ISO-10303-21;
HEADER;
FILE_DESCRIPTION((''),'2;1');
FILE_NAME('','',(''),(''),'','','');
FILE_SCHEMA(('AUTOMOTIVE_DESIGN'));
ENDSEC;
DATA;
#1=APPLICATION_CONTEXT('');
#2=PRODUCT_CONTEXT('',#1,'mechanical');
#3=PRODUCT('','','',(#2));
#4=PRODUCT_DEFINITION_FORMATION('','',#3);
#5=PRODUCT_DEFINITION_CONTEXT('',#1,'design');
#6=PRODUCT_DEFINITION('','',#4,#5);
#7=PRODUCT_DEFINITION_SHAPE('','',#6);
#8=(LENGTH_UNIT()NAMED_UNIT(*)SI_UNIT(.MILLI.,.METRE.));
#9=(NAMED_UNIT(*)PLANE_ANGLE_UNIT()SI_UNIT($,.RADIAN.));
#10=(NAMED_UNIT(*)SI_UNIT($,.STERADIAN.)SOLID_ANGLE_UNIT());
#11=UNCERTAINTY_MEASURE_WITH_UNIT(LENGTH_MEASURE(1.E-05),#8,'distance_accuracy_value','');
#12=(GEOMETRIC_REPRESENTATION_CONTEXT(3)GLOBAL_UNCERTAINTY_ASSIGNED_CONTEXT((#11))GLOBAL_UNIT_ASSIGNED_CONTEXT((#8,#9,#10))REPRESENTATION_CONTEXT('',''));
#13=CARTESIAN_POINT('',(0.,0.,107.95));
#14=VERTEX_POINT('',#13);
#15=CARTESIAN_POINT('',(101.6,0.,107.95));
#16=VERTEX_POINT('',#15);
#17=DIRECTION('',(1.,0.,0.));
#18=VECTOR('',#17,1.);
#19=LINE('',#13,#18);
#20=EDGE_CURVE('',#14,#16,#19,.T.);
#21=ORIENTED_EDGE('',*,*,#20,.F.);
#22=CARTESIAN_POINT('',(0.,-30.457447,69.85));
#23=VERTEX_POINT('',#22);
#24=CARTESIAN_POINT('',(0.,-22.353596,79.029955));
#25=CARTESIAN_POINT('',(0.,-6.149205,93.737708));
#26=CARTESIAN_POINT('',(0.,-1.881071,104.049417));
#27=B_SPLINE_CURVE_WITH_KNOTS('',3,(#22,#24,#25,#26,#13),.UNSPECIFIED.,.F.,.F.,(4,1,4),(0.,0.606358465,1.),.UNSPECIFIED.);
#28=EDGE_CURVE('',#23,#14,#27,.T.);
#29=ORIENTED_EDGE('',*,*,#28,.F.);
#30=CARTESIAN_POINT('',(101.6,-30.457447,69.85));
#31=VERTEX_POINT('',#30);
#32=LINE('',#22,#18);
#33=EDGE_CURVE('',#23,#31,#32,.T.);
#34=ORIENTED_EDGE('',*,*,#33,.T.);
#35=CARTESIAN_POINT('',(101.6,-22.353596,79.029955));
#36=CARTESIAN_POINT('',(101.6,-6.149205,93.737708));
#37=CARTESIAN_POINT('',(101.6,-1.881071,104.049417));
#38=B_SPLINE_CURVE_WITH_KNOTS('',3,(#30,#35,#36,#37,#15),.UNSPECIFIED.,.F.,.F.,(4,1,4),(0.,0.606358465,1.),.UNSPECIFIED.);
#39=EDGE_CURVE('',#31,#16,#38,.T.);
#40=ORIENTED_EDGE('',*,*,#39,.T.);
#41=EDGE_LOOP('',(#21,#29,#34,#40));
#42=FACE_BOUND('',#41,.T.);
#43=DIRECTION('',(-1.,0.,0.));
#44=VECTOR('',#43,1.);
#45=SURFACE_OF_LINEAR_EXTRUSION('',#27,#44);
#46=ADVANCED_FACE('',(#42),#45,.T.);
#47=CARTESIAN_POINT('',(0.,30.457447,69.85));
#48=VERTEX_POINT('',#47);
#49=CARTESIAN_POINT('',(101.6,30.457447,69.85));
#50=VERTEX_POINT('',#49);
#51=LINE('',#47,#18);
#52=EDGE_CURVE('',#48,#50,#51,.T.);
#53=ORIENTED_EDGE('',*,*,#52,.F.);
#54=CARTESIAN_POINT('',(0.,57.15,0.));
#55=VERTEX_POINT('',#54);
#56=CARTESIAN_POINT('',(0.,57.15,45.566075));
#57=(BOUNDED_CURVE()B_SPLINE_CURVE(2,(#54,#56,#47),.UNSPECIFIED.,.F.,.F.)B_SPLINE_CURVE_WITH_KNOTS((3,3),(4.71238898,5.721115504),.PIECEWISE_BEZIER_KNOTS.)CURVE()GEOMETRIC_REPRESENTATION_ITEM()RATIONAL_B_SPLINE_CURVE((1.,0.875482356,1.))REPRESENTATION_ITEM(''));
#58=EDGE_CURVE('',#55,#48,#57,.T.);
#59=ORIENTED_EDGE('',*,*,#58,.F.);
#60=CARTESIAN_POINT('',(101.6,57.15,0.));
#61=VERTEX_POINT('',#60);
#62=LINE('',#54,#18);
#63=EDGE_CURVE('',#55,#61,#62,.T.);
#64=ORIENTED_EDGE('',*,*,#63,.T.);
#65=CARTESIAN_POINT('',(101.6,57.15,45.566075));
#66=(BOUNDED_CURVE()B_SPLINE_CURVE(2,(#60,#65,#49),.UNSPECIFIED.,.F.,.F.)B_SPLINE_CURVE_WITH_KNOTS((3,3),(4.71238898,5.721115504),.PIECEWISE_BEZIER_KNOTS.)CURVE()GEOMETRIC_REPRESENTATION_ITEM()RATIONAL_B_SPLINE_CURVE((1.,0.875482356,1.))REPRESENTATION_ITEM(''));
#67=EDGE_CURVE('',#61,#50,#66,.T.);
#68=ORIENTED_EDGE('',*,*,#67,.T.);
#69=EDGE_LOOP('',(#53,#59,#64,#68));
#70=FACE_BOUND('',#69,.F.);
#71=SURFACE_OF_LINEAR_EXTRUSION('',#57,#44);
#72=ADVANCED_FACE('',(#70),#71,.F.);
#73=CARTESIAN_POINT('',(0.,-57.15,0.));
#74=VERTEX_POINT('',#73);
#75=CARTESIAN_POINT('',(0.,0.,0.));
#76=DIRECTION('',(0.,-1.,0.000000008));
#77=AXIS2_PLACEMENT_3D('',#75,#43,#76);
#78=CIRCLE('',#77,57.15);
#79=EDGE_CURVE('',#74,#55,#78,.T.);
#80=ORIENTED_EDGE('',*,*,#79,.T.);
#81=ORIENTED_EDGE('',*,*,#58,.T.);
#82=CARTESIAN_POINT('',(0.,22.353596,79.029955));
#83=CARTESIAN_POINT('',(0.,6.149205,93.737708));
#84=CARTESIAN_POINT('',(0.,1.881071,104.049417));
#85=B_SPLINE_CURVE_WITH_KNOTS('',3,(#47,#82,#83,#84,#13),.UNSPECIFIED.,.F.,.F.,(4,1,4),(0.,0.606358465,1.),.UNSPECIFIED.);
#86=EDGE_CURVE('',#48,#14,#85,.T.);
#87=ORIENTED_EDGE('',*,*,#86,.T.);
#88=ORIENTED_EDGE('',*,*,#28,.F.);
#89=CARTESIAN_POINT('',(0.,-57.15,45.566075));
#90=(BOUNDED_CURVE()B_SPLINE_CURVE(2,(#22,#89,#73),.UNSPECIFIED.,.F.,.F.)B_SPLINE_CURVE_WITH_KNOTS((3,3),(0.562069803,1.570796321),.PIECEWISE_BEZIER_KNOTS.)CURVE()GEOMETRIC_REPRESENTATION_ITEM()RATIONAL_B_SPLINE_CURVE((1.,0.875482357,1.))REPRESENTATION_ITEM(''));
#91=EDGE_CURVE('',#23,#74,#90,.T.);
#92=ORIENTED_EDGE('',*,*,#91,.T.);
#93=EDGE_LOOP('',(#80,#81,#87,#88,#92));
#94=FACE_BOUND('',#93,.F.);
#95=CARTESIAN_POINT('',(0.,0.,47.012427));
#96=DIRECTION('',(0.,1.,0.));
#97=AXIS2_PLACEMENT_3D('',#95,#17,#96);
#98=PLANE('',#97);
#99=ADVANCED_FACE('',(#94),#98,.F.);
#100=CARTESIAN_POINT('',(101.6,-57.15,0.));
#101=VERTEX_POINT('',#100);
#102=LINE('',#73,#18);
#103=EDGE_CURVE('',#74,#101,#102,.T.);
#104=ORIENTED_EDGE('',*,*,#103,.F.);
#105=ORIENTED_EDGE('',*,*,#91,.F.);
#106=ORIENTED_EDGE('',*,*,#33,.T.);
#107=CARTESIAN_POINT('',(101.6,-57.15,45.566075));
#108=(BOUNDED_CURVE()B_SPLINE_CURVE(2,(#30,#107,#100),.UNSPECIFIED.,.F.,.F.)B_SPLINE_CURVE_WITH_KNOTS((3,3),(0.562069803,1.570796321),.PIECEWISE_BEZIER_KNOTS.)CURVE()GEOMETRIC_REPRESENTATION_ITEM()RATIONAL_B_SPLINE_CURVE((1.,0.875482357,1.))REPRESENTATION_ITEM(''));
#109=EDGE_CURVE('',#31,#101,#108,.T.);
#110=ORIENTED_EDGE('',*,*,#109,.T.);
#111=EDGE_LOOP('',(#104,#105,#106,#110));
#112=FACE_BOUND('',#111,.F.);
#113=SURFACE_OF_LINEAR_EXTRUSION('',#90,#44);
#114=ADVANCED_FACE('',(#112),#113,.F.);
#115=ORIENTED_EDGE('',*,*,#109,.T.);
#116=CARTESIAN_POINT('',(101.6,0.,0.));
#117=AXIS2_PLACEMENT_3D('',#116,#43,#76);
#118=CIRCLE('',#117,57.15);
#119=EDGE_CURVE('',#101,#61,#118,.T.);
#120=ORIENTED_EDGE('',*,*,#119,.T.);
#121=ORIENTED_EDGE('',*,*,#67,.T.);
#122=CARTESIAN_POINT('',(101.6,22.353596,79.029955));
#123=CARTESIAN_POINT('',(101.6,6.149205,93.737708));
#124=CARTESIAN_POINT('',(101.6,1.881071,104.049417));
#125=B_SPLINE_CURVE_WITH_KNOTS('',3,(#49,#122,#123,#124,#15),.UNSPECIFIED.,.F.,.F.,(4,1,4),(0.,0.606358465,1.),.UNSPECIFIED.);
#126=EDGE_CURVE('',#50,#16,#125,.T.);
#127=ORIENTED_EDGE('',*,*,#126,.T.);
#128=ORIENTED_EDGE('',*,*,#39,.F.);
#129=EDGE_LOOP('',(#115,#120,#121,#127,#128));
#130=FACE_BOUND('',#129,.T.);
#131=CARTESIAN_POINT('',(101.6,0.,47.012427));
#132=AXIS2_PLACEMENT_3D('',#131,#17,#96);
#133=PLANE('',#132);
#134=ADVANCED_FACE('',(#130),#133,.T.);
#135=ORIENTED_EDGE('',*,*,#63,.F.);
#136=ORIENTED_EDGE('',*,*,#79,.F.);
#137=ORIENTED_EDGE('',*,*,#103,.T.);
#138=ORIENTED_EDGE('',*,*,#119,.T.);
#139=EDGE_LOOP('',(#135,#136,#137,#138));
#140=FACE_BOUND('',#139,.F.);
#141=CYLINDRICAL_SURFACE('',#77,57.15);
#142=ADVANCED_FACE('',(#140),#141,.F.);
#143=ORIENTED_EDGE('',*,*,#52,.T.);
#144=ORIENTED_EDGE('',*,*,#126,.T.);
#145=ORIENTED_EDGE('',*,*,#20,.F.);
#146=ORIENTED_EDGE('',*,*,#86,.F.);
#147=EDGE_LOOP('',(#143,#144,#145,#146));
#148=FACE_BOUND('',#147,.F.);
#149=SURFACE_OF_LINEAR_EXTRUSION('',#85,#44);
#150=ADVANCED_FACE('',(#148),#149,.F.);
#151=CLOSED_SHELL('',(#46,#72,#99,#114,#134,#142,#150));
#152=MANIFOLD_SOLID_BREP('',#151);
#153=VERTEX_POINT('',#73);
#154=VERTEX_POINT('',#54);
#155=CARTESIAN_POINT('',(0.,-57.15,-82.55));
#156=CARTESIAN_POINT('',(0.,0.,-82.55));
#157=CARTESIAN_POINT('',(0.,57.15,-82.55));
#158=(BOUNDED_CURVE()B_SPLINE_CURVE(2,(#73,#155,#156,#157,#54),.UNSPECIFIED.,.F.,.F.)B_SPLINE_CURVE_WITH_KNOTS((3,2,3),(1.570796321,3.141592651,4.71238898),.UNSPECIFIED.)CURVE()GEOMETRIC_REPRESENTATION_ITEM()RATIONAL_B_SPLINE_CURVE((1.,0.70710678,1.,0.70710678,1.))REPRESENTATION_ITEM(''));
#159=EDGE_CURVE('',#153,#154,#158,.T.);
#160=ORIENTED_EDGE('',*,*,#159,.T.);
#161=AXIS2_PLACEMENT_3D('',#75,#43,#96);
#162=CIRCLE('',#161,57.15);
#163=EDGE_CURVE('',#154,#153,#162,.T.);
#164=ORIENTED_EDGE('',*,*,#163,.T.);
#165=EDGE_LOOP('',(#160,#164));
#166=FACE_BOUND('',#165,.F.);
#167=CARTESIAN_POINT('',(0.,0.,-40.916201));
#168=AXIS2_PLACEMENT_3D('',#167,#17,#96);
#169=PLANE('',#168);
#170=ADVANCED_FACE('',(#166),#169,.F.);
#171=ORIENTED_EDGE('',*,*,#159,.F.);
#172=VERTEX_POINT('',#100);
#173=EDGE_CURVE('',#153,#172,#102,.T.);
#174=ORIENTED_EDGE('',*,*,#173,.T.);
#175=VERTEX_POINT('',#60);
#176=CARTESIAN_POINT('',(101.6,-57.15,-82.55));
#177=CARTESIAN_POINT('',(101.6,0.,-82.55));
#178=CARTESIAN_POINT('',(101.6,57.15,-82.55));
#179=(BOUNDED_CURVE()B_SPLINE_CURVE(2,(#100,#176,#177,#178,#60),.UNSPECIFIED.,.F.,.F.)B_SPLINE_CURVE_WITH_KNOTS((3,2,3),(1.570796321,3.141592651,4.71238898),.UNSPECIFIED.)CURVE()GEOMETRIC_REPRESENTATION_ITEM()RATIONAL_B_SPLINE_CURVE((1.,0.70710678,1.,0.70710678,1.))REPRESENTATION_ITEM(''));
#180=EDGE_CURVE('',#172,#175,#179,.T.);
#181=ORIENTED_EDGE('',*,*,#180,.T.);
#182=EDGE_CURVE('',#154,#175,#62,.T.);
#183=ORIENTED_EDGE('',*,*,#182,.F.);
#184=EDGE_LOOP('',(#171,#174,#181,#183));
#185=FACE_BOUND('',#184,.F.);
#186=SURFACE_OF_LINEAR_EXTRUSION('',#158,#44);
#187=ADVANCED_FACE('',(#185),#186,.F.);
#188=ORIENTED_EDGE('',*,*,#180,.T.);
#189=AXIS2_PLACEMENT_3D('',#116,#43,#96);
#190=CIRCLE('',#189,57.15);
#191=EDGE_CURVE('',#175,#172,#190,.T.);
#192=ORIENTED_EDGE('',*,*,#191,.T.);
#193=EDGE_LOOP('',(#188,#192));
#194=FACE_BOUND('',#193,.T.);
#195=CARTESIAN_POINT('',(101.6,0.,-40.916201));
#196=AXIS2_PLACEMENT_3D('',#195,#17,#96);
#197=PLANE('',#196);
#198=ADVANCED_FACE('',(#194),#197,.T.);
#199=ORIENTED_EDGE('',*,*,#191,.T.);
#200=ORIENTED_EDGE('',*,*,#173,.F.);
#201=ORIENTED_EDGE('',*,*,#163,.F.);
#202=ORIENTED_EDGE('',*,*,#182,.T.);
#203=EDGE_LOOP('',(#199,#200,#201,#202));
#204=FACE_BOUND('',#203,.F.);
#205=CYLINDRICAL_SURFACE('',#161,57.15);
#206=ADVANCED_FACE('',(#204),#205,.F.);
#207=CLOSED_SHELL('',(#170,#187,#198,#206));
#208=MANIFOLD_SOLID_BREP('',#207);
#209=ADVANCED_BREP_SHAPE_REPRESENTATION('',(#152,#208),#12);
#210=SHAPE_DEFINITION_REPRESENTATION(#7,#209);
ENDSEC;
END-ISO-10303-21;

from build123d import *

# Parameters (mm, degrees)
F1_DEPTH = 101.6


with BuildPart() as f1:
    # F0 (on Right) → F1 (new body)
    with BuildSketch(Plane.YZ):
        with BuildLine():
            ThreePointArc((-57.15, 4.662e-07), (2.331e-07, 57.15), (57.15, 0))
            add(Edge.make_bspline(
                [(57.15, 0), (57.15, 45.5660748492), (30.4574472777, 69.85)],
                knots=[4.7123889804, 4.7123889804, 4.7123889804, 5.7211155042, 5.7211155042, 5.7211155042], degree=2, weights=[1, 0.8754823556, 1]))
            add(Edge.make_bspline(
                [(30.4574472777, 69.85), (22.353595846, 79.0299545271), (6.1492050592, 93.7377079612), (1.8810714701, 104.0494172792), (0, 107.95)],
                knots=[0, 0, 0, 0, 0.6063584653, 1, 1, 1, 1], degree=3))
            add(Edge.make_bspline(
                [(-30.4574472777, 69.85), (-22.353595846, 79.0299545271), (-6.1492050592, 93.7377079612), (-1.8810714701, 104.0494172792), (0, 107.95)],
                knots=[0, 0, 0, 0, 0.6063584653, 1, 1, 1, 1], degree=3))
            add(Edge.make_bspline(
                [(-30.4574472777, 69.85), (-57.1499998218, 45.5660750112), (-57.15, 4.662e-07)],
                knots=[0.562069803, 0.562069803, 0.562069803, 1.5707963211, 1.5707963211, 1.5707963211], degree=2, weights=[1, 0.875482357, 1]))
        make_face()
    extrude(amount=F1_DEPTH)


with BuildPart() as f1b:
    # F0 (on Right) → F1, piece 2 (new body)
    with BuildSketch(Plane.YZ):
        with BuildLine():
            add(Edge.make_bspline(
                [(-57.15, 4.662e-07), (-57.1500003228, -82.5499997669), (-1.614e-07, -82.55), (57.15, -82.5500002331), (57.15, 0)],
                knots=[1.5707963211, 1.5707963211, 1.5707963211, 3.1415926508, 3.1415926508, 4.7123889804, 4.7123889804, 4.7123889804], degree=2, weights=[1, 0.7071067802, 1, 0.7071067802, 1]))
            ThreePointArc((57.15, 0), (-2.331e-07, -57.15), (-57.15, 4.662e-07))
        make_face()
    extrude(amount=F1_DEPTH)


solid = Compound([f1.part, f1b.part])
